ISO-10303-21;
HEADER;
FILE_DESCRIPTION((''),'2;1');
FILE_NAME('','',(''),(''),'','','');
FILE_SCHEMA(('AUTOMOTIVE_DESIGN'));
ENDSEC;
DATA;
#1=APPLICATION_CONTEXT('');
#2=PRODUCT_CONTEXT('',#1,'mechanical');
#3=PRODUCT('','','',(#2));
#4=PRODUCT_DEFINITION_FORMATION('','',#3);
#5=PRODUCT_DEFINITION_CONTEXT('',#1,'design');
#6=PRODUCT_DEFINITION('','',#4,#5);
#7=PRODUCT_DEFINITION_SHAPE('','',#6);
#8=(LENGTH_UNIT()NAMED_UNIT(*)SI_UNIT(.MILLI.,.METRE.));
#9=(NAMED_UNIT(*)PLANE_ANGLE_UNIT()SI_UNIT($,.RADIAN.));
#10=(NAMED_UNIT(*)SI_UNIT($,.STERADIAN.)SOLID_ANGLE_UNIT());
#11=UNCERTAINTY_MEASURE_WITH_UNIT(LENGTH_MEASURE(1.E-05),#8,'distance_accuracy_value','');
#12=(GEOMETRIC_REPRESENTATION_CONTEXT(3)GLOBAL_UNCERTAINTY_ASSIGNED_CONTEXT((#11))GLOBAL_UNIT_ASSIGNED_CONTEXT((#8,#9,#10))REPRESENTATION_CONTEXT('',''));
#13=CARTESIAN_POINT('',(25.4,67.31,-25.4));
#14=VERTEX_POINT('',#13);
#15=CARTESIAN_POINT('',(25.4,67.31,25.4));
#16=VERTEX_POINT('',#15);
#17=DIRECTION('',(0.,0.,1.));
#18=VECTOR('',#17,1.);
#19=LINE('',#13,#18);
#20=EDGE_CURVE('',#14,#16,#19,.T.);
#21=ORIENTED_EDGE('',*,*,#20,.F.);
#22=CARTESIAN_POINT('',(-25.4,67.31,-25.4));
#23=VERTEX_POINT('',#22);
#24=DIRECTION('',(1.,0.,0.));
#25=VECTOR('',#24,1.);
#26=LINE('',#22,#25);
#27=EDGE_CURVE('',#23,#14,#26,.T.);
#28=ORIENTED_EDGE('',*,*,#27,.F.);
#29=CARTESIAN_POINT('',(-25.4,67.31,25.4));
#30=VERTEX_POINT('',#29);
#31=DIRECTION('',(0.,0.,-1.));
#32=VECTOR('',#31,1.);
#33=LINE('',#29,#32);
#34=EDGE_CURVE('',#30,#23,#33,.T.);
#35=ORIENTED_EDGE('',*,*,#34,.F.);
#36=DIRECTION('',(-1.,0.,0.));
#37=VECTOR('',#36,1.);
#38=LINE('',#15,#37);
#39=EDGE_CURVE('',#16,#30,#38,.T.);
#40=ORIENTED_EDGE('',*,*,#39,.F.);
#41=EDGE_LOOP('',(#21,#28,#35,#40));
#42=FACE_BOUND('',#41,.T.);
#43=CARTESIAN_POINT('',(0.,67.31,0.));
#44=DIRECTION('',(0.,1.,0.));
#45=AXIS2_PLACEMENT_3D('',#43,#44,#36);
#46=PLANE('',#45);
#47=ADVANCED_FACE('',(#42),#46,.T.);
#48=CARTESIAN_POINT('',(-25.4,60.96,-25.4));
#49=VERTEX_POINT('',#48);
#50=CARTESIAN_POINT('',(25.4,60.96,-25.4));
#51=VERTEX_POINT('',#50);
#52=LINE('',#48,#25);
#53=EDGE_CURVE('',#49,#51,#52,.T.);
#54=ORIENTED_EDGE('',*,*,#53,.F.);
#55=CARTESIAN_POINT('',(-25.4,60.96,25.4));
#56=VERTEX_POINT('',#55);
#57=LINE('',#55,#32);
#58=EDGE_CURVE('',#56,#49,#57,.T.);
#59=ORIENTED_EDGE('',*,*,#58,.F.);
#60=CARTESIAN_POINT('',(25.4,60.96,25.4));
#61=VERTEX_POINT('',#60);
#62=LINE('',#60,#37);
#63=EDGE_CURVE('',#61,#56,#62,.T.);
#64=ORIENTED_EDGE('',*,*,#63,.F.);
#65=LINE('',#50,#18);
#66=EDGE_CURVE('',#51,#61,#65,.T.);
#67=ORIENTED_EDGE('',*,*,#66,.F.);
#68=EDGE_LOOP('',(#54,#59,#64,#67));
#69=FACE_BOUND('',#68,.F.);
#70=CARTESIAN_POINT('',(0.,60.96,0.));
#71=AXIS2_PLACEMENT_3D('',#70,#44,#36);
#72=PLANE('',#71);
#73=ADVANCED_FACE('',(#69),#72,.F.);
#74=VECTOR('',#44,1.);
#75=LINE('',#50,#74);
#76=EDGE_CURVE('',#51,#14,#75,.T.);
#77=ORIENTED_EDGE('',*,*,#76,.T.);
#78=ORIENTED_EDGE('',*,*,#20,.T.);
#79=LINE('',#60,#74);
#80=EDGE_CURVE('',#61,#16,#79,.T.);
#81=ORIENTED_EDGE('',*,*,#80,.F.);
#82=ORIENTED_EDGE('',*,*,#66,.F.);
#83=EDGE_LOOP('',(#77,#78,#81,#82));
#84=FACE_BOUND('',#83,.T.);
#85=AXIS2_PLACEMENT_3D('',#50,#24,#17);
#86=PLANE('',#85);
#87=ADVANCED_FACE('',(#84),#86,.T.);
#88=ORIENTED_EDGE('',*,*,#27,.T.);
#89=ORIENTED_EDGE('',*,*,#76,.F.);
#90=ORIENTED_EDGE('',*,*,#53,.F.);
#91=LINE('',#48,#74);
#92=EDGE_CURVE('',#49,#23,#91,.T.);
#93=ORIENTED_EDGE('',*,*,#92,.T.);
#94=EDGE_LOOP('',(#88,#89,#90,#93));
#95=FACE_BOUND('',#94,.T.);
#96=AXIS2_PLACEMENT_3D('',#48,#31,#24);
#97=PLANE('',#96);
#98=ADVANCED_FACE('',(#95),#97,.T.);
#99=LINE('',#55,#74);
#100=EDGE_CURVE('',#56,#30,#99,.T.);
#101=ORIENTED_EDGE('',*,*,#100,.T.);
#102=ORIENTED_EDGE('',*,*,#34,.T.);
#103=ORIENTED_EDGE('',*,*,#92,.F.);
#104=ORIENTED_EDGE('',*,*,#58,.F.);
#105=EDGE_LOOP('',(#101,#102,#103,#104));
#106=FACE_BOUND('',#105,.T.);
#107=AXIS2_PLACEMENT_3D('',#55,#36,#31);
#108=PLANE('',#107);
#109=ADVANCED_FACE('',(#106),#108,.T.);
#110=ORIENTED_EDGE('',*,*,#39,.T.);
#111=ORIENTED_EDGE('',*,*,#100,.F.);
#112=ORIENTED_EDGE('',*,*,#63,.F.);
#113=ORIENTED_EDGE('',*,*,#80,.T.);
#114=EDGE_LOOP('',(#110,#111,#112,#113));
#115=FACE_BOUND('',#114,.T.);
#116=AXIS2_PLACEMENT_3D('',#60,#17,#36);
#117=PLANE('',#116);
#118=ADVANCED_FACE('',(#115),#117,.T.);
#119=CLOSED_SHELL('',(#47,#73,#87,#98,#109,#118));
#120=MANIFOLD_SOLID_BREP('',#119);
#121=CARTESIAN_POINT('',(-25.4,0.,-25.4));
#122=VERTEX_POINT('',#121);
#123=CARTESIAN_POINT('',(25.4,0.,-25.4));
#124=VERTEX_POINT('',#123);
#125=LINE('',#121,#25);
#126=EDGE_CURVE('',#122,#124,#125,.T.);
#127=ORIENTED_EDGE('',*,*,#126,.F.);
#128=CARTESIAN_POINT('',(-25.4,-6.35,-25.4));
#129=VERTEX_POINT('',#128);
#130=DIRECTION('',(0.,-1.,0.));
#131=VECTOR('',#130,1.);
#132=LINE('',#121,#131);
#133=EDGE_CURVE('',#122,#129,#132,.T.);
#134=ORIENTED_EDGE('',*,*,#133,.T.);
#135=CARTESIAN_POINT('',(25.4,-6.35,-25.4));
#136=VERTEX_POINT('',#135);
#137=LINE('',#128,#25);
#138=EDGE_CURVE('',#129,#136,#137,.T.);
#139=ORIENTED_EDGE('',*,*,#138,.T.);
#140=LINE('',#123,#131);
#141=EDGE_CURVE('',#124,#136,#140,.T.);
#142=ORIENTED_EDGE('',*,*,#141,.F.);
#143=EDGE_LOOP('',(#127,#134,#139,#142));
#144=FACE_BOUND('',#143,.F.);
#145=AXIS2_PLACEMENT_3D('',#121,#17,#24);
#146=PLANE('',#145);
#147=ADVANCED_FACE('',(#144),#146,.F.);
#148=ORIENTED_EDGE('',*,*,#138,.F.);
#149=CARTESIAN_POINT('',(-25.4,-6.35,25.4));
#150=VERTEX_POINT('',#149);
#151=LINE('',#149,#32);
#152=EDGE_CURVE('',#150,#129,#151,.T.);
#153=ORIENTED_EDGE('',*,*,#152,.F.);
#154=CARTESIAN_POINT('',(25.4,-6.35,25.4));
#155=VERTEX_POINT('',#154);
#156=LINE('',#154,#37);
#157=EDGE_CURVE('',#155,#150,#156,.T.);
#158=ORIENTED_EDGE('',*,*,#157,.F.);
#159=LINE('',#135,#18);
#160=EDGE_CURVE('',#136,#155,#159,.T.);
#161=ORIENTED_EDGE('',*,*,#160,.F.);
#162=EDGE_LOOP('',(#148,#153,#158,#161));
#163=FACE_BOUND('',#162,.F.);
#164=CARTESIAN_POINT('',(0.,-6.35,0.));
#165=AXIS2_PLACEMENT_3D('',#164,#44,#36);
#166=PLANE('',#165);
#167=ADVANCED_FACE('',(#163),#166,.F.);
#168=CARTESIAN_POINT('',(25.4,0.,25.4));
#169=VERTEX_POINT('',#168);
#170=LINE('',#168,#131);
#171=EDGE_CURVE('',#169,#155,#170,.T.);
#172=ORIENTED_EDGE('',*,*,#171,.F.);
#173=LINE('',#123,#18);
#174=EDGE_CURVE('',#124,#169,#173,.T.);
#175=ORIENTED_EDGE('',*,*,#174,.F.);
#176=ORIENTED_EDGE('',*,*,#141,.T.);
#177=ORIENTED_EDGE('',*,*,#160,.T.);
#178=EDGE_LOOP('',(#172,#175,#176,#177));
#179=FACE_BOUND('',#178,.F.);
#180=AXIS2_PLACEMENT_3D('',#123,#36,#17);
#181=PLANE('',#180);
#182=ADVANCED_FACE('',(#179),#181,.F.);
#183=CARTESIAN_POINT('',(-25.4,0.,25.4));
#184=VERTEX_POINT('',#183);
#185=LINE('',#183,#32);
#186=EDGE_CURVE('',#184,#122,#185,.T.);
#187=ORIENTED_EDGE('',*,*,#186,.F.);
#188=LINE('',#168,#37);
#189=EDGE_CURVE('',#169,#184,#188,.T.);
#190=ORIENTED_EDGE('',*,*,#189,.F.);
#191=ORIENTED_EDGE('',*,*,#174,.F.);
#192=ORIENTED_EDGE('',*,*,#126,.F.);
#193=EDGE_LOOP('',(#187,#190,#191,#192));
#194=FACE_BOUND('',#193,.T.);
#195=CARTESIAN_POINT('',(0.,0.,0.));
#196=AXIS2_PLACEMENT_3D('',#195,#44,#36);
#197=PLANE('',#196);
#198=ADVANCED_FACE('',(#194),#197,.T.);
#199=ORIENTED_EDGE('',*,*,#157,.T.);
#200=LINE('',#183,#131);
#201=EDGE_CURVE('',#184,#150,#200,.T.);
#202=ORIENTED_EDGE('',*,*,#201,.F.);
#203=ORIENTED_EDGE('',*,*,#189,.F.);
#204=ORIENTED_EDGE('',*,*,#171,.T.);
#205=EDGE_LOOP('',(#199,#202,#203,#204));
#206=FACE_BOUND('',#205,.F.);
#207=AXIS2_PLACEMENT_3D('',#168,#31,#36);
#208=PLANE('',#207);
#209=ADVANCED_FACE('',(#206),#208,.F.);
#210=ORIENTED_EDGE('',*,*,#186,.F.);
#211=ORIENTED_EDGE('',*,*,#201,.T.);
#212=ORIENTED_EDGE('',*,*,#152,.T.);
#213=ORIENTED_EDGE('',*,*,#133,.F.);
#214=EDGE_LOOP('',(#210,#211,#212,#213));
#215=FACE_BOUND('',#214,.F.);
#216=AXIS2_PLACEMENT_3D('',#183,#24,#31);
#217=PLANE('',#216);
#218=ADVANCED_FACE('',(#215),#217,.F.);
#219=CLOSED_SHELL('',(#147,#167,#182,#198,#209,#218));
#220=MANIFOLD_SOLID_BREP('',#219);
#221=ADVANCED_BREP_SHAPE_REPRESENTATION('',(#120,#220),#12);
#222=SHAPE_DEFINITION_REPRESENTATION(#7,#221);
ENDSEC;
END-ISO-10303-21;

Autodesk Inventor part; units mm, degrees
ref_plane "YZ Plane" through (0, 0, 0) normal (1, 0, 0) x (0, 1, 0)
ref_plane "XY Plane" through (0, 0, 0) normal (0, 0, 1) x (1, 0, 0)
sketch "Sketch1" plane through (0, 0, 0) normal (0, 1, 0) x (-1, 0, 0)
  line L0 (-25.4, 25.4) -> (25.4, 25.4)
  line L1 (25.4, 25.4) -> (25.4, -25.4)
  line L2 (25.4, -25.4) -> (-25.4, -25.4)
  line L3 (-25.4, -25.4) -> (-25.4, 25.4)
  line L4 (-25.4, 25.4) -> (25.4, -25.4) construction
  line L5 (25.4, 25.4) -> (-25.4, -25.4) construction
  point P0 (0, 0)
  dimension "d0" = 50.8
  dimension "d1" = 50.8
extrude "Extrusion1" add sketch "Sketch1" against normal blind 6.35
ref_plane "Work Plane1" through (0, 60.96, 0) normal (0, 1, 0) x (-1, 0, 0)
sketch "Sketch2" plane through (0, 60.96, 0) normal (0, 1, 0) x (-1, 0, 0)
  line L0 (-25.4, 25.4) -> (25.4, 25.4) projected
  line L1 (-25.4, -25.4) -> (-25.4, 25.4) projected
  line L2 (25.4, -25.4) -> (-25.4, -25.4) projected
  line L3 (25.4, 25.4) -> (25.4, -25.4) projected
  point P0 (0, 0)
extrude "Extrusion2" add sketch "Sketch2" along normal blind 6.35
properties part number "Floor"
